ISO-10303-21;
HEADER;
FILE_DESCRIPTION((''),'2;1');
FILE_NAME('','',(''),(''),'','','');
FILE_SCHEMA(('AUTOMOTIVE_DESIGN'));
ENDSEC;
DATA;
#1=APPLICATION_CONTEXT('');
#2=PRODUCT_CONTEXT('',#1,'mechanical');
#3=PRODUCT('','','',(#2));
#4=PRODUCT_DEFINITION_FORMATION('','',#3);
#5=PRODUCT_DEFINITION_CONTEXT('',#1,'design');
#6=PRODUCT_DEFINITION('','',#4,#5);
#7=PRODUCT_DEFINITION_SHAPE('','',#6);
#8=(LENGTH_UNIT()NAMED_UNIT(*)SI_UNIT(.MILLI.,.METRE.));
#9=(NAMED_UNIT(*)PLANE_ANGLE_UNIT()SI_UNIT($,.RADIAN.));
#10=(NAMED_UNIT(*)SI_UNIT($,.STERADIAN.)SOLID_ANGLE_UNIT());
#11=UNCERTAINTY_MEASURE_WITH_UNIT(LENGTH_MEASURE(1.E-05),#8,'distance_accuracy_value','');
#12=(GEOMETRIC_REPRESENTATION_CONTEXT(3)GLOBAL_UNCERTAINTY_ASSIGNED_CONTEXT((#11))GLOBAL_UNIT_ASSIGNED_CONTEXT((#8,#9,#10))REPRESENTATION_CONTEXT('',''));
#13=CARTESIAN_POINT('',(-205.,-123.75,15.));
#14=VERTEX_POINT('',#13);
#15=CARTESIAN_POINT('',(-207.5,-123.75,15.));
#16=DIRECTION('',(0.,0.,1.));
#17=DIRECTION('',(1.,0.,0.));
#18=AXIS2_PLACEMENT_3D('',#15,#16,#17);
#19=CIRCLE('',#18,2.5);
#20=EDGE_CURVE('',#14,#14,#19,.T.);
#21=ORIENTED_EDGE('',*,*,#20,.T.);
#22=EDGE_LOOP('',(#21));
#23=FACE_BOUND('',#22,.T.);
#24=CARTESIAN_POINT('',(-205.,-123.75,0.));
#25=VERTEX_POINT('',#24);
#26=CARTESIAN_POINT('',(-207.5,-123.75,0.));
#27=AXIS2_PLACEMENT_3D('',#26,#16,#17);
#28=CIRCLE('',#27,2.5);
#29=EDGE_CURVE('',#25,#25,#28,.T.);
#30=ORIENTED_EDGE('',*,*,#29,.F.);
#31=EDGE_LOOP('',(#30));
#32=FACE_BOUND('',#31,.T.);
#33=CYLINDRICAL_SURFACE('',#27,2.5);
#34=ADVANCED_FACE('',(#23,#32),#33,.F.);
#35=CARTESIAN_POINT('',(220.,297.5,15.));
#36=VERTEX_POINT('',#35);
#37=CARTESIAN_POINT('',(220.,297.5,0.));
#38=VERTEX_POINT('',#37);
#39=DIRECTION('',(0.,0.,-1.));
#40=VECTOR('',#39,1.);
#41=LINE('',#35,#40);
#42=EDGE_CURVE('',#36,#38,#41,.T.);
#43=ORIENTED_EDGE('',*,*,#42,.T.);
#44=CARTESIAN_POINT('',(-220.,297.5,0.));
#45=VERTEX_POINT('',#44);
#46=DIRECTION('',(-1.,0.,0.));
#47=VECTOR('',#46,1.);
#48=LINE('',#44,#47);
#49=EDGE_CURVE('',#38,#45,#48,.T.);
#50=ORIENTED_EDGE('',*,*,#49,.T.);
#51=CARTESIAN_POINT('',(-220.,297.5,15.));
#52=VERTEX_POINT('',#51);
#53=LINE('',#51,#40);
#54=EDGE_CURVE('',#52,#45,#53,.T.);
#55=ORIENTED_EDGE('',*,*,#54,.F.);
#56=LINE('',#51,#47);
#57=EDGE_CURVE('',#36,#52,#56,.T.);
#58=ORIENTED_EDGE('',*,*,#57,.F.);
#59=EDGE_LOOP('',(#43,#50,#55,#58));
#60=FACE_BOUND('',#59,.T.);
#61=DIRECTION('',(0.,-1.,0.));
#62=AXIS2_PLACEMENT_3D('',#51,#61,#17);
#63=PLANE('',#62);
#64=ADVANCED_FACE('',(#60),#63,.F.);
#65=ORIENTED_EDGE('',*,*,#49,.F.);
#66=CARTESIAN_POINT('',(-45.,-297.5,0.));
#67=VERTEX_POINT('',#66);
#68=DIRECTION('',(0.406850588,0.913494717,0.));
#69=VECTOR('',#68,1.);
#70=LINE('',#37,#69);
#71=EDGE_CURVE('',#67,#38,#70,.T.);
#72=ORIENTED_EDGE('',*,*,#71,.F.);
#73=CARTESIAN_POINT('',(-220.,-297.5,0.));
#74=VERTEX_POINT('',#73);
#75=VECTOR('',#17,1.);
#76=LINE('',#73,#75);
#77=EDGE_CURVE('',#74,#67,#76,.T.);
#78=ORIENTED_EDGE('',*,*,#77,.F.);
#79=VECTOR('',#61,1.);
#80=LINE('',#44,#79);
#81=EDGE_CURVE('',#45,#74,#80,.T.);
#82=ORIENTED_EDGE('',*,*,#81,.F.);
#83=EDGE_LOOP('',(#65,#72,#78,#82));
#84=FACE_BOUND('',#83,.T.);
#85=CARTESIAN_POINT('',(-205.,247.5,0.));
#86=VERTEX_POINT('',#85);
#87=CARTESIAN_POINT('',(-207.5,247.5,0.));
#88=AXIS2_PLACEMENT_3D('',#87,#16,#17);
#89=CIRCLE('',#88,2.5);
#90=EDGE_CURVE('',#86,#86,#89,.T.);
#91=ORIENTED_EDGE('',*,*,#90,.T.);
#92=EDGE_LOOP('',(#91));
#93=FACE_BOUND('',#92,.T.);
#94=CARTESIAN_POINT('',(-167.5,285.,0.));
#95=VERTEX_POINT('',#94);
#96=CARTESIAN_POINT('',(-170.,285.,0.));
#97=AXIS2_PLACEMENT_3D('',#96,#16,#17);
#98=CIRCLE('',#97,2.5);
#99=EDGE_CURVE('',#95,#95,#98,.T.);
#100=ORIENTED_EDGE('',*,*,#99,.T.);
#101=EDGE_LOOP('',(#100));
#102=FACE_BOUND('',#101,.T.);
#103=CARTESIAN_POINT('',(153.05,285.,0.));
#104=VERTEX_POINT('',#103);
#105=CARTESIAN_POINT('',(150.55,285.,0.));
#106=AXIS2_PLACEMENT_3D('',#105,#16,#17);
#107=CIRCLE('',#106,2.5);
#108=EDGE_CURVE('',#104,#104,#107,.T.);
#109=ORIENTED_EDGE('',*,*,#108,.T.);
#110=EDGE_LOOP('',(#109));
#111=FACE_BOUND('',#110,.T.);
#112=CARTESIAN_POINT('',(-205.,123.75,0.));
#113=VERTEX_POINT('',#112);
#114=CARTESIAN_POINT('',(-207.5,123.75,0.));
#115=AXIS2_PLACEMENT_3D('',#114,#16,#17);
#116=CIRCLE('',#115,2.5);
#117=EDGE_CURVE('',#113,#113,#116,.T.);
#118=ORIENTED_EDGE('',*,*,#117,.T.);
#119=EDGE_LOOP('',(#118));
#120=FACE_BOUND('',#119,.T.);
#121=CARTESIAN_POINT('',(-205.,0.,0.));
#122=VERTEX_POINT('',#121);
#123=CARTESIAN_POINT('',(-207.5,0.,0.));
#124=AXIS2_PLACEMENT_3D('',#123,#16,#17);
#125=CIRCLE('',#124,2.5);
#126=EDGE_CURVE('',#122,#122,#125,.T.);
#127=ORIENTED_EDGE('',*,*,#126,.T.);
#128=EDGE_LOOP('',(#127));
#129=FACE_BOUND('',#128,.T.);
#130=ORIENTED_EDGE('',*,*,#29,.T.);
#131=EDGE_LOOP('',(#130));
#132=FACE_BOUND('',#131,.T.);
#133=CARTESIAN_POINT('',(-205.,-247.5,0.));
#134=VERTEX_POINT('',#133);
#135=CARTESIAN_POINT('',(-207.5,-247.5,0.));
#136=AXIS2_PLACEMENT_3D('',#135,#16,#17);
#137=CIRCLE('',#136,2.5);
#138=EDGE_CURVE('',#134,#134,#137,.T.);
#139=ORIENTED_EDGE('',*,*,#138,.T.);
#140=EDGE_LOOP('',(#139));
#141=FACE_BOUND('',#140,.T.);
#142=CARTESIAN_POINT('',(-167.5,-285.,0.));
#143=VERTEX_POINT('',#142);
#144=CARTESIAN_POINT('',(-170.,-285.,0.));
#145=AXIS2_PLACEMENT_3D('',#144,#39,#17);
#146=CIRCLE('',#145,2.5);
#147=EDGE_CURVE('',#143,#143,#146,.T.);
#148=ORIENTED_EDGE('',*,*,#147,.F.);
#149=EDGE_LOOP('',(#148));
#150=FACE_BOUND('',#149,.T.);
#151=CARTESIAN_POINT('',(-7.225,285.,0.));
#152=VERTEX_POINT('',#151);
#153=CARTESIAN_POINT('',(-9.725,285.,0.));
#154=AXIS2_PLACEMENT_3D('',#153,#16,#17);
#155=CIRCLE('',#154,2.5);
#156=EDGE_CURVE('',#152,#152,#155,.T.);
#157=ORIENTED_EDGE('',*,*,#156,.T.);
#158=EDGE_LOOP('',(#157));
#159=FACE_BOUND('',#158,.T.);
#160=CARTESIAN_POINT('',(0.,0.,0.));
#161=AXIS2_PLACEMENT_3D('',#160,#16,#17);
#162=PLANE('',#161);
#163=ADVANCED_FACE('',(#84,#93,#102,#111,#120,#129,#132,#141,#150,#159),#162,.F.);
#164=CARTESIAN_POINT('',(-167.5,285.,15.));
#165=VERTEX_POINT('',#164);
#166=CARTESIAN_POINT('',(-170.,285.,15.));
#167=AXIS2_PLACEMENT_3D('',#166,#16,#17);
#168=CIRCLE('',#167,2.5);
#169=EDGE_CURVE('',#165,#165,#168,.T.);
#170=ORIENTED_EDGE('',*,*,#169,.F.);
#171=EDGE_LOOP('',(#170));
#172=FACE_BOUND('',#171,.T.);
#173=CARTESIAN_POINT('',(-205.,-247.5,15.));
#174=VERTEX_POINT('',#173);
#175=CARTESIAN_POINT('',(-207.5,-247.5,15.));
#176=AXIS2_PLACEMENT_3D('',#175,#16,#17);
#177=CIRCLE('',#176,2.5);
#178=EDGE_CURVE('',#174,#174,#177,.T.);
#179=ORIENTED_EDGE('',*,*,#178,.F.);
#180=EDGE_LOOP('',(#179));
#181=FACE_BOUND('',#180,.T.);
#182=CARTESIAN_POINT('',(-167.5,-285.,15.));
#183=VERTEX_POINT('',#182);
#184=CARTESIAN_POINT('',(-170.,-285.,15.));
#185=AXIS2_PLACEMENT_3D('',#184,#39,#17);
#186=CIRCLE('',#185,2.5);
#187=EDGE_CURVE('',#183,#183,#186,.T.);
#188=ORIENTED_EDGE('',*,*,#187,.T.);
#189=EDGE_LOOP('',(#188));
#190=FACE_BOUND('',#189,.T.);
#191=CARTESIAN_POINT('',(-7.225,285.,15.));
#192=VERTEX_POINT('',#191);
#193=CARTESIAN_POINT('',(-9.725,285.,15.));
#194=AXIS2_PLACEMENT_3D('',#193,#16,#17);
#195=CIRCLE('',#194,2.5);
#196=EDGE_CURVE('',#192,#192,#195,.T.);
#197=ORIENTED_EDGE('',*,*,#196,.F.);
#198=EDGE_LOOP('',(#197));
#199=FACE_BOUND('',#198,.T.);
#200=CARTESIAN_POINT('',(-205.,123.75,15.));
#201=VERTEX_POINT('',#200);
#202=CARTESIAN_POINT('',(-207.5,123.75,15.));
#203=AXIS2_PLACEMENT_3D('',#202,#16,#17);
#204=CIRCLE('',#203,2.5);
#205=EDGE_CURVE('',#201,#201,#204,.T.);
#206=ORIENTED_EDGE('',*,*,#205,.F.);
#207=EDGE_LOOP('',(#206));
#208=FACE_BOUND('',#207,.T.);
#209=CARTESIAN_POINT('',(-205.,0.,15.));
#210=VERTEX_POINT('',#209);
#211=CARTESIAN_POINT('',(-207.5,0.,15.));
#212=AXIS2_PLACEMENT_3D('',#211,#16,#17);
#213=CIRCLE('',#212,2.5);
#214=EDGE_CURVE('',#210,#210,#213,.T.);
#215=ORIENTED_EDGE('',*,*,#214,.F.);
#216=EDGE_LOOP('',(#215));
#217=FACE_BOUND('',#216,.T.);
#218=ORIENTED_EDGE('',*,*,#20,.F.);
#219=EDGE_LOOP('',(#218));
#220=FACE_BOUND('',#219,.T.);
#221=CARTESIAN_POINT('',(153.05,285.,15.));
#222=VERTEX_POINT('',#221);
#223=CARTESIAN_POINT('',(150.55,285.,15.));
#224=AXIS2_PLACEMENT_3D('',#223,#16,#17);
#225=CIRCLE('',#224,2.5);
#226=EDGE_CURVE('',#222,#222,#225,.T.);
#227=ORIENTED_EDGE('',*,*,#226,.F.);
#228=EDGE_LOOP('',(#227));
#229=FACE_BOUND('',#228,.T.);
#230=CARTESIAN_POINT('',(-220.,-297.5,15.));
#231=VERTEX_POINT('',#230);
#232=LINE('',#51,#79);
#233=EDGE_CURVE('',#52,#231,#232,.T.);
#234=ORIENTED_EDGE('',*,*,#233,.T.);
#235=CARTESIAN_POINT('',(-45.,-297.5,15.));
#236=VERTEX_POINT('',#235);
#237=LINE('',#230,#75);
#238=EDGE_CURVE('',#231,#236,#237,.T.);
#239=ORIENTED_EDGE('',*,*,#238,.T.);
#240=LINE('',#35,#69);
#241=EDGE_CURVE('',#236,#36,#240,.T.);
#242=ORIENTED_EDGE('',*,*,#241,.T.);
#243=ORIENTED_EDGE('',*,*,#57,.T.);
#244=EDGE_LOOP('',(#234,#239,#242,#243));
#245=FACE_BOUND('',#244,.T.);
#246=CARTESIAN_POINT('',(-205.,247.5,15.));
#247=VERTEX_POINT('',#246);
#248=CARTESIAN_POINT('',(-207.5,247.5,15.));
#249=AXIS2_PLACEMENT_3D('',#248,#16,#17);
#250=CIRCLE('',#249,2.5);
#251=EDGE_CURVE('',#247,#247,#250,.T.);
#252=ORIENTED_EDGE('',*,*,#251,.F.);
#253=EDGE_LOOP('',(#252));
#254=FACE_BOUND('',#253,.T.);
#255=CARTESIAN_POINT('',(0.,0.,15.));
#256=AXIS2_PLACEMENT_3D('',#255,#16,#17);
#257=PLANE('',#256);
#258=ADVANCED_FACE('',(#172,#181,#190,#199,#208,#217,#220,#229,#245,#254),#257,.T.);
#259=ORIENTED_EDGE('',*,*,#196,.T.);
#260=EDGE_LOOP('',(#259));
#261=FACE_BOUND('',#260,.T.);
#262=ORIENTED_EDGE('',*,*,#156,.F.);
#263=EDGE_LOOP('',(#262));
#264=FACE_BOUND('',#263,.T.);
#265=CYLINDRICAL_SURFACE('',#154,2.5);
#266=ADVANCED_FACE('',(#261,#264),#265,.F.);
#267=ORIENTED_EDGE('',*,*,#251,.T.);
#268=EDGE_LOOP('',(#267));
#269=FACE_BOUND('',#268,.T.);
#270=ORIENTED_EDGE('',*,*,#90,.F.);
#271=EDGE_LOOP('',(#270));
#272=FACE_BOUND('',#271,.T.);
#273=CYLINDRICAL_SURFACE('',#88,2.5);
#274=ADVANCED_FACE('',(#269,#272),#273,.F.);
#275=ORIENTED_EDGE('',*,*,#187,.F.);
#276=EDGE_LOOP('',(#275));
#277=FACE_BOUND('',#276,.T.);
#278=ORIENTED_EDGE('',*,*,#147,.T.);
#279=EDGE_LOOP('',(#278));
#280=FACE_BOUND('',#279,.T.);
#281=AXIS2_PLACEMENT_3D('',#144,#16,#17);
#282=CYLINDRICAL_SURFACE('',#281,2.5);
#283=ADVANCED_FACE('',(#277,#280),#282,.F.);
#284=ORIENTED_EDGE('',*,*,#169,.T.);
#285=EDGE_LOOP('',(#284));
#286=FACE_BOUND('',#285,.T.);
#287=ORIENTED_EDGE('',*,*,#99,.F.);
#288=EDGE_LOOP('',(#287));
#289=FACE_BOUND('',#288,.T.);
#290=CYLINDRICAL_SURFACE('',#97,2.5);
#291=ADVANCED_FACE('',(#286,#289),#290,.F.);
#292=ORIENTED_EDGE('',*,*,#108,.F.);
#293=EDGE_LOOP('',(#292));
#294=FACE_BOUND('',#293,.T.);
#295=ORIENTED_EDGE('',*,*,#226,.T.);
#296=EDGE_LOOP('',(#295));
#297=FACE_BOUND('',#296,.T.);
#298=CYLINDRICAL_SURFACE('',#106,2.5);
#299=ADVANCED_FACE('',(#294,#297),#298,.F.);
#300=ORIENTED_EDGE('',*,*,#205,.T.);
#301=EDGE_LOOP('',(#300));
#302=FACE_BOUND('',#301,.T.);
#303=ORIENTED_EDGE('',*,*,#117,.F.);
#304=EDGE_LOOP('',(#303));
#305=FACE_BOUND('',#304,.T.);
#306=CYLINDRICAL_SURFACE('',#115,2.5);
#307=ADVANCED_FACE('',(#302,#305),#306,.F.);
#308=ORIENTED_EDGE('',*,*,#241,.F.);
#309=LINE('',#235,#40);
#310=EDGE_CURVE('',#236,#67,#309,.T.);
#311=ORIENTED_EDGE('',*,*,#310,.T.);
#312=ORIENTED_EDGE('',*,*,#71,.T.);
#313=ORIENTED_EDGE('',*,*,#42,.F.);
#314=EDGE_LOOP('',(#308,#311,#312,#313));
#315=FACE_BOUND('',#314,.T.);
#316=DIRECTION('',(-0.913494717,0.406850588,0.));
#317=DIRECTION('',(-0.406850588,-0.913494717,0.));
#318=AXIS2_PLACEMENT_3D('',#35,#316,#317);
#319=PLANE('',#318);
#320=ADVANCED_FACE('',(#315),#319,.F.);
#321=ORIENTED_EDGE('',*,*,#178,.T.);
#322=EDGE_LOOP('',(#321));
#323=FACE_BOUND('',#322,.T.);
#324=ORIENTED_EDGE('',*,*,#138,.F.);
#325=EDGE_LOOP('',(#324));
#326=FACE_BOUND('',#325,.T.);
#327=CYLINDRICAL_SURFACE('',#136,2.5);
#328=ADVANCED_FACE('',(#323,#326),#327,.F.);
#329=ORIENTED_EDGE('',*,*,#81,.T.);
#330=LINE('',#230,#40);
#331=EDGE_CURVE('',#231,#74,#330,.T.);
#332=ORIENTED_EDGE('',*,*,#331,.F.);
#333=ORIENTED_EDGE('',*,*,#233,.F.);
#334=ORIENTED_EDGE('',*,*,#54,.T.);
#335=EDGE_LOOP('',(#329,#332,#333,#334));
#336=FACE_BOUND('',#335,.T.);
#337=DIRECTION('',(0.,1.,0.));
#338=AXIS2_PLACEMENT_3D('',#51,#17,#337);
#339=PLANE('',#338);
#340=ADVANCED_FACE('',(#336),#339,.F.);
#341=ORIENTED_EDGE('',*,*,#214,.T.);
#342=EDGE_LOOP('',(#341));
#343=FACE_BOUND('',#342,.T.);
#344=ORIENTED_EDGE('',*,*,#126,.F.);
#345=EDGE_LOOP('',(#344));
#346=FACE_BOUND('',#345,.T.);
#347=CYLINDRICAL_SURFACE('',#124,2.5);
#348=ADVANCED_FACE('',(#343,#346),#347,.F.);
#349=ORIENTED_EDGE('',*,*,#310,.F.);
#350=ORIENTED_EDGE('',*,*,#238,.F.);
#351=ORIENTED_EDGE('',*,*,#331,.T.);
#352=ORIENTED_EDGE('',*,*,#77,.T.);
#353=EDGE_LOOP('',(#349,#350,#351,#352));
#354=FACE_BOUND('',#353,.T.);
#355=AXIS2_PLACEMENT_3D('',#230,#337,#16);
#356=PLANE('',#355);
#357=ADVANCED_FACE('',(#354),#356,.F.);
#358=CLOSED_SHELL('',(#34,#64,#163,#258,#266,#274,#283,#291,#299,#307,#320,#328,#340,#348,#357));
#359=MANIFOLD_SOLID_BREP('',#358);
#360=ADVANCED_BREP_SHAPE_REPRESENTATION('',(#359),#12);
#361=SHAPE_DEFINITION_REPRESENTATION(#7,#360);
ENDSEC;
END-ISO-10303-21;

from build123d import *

# Parameters (mm, degrees)
EXTRUDE_1_DEPTH     = 15
SKETCH_2_R          = 2.5
CUT_EXTRUDE_1_DEPTH = 371.312368143
SKETCH_2_3_R        = 2.5
CUT_EXTRUDE_2_DEPTH = 371.312368143


with BuildPart() as part:
    # ｽｹｯﾁ1 → ﾎﾞｽ - 押し出し1 (new body)
    with BuildSketch(Plane.XY):
        Polygon((-220, 297.5), (220, 297.5), (-45, -297.5), (-220, -297.5), align=None)
    extrude(amount=EXTRUDE_1_DEPTH)

    # ｽｹｯﾁ2 → ｶｯﾄ - 押し出し1 (cut, through all)
    with BuildSketch(Plane.XY.offset(15)):
        with Locations((-170, 285)):
            Circle(SKETCH_2_R)
        with Locations((-9.725, 285)):
            Circle(SKETCH_2_R)
        with Locations((150.55, 285)):
            Circle(SKETCH_2_R)
    cut_extrude_1 = extrude(amount=-CUT_EXTRUDE_1_DEPTH, mode=Mode.SUBTRACT)

    # ｽｹｯﾁ2<3> → ｶｯﾄ - 押し出し2 (cut, through all)
    with BuildSketch(Plane.XY.offset(15)):
        with Locations((-207.5, 247.5)):
            Circle(SKETCH_2_3_R)
        with Locations((-207.5, 123.75)):
            Circle(SKETCH_2_3_R)
        with Locations((-207.5, 0)):
            Circle(SKETCH_2_3_R)
        with Locations((-207.5, -123.75)):
            Circle(SKETCH_2_3_R)
        with Locations((-207.5, -247.5)):
            Circle(SKETCH_2_3_R)
    extrude(amount=-CUT_EXTRUDE_2_DEPTH, mode=Mode.SUBTRACT)

    # ﾐﾗｰ1: ｶｯﾄ - 押し出し1 across plane
    add(cut_extrude_1.mirror(Plane.ZX), mode=Mode.SUBTRACT)


solid = part.part
